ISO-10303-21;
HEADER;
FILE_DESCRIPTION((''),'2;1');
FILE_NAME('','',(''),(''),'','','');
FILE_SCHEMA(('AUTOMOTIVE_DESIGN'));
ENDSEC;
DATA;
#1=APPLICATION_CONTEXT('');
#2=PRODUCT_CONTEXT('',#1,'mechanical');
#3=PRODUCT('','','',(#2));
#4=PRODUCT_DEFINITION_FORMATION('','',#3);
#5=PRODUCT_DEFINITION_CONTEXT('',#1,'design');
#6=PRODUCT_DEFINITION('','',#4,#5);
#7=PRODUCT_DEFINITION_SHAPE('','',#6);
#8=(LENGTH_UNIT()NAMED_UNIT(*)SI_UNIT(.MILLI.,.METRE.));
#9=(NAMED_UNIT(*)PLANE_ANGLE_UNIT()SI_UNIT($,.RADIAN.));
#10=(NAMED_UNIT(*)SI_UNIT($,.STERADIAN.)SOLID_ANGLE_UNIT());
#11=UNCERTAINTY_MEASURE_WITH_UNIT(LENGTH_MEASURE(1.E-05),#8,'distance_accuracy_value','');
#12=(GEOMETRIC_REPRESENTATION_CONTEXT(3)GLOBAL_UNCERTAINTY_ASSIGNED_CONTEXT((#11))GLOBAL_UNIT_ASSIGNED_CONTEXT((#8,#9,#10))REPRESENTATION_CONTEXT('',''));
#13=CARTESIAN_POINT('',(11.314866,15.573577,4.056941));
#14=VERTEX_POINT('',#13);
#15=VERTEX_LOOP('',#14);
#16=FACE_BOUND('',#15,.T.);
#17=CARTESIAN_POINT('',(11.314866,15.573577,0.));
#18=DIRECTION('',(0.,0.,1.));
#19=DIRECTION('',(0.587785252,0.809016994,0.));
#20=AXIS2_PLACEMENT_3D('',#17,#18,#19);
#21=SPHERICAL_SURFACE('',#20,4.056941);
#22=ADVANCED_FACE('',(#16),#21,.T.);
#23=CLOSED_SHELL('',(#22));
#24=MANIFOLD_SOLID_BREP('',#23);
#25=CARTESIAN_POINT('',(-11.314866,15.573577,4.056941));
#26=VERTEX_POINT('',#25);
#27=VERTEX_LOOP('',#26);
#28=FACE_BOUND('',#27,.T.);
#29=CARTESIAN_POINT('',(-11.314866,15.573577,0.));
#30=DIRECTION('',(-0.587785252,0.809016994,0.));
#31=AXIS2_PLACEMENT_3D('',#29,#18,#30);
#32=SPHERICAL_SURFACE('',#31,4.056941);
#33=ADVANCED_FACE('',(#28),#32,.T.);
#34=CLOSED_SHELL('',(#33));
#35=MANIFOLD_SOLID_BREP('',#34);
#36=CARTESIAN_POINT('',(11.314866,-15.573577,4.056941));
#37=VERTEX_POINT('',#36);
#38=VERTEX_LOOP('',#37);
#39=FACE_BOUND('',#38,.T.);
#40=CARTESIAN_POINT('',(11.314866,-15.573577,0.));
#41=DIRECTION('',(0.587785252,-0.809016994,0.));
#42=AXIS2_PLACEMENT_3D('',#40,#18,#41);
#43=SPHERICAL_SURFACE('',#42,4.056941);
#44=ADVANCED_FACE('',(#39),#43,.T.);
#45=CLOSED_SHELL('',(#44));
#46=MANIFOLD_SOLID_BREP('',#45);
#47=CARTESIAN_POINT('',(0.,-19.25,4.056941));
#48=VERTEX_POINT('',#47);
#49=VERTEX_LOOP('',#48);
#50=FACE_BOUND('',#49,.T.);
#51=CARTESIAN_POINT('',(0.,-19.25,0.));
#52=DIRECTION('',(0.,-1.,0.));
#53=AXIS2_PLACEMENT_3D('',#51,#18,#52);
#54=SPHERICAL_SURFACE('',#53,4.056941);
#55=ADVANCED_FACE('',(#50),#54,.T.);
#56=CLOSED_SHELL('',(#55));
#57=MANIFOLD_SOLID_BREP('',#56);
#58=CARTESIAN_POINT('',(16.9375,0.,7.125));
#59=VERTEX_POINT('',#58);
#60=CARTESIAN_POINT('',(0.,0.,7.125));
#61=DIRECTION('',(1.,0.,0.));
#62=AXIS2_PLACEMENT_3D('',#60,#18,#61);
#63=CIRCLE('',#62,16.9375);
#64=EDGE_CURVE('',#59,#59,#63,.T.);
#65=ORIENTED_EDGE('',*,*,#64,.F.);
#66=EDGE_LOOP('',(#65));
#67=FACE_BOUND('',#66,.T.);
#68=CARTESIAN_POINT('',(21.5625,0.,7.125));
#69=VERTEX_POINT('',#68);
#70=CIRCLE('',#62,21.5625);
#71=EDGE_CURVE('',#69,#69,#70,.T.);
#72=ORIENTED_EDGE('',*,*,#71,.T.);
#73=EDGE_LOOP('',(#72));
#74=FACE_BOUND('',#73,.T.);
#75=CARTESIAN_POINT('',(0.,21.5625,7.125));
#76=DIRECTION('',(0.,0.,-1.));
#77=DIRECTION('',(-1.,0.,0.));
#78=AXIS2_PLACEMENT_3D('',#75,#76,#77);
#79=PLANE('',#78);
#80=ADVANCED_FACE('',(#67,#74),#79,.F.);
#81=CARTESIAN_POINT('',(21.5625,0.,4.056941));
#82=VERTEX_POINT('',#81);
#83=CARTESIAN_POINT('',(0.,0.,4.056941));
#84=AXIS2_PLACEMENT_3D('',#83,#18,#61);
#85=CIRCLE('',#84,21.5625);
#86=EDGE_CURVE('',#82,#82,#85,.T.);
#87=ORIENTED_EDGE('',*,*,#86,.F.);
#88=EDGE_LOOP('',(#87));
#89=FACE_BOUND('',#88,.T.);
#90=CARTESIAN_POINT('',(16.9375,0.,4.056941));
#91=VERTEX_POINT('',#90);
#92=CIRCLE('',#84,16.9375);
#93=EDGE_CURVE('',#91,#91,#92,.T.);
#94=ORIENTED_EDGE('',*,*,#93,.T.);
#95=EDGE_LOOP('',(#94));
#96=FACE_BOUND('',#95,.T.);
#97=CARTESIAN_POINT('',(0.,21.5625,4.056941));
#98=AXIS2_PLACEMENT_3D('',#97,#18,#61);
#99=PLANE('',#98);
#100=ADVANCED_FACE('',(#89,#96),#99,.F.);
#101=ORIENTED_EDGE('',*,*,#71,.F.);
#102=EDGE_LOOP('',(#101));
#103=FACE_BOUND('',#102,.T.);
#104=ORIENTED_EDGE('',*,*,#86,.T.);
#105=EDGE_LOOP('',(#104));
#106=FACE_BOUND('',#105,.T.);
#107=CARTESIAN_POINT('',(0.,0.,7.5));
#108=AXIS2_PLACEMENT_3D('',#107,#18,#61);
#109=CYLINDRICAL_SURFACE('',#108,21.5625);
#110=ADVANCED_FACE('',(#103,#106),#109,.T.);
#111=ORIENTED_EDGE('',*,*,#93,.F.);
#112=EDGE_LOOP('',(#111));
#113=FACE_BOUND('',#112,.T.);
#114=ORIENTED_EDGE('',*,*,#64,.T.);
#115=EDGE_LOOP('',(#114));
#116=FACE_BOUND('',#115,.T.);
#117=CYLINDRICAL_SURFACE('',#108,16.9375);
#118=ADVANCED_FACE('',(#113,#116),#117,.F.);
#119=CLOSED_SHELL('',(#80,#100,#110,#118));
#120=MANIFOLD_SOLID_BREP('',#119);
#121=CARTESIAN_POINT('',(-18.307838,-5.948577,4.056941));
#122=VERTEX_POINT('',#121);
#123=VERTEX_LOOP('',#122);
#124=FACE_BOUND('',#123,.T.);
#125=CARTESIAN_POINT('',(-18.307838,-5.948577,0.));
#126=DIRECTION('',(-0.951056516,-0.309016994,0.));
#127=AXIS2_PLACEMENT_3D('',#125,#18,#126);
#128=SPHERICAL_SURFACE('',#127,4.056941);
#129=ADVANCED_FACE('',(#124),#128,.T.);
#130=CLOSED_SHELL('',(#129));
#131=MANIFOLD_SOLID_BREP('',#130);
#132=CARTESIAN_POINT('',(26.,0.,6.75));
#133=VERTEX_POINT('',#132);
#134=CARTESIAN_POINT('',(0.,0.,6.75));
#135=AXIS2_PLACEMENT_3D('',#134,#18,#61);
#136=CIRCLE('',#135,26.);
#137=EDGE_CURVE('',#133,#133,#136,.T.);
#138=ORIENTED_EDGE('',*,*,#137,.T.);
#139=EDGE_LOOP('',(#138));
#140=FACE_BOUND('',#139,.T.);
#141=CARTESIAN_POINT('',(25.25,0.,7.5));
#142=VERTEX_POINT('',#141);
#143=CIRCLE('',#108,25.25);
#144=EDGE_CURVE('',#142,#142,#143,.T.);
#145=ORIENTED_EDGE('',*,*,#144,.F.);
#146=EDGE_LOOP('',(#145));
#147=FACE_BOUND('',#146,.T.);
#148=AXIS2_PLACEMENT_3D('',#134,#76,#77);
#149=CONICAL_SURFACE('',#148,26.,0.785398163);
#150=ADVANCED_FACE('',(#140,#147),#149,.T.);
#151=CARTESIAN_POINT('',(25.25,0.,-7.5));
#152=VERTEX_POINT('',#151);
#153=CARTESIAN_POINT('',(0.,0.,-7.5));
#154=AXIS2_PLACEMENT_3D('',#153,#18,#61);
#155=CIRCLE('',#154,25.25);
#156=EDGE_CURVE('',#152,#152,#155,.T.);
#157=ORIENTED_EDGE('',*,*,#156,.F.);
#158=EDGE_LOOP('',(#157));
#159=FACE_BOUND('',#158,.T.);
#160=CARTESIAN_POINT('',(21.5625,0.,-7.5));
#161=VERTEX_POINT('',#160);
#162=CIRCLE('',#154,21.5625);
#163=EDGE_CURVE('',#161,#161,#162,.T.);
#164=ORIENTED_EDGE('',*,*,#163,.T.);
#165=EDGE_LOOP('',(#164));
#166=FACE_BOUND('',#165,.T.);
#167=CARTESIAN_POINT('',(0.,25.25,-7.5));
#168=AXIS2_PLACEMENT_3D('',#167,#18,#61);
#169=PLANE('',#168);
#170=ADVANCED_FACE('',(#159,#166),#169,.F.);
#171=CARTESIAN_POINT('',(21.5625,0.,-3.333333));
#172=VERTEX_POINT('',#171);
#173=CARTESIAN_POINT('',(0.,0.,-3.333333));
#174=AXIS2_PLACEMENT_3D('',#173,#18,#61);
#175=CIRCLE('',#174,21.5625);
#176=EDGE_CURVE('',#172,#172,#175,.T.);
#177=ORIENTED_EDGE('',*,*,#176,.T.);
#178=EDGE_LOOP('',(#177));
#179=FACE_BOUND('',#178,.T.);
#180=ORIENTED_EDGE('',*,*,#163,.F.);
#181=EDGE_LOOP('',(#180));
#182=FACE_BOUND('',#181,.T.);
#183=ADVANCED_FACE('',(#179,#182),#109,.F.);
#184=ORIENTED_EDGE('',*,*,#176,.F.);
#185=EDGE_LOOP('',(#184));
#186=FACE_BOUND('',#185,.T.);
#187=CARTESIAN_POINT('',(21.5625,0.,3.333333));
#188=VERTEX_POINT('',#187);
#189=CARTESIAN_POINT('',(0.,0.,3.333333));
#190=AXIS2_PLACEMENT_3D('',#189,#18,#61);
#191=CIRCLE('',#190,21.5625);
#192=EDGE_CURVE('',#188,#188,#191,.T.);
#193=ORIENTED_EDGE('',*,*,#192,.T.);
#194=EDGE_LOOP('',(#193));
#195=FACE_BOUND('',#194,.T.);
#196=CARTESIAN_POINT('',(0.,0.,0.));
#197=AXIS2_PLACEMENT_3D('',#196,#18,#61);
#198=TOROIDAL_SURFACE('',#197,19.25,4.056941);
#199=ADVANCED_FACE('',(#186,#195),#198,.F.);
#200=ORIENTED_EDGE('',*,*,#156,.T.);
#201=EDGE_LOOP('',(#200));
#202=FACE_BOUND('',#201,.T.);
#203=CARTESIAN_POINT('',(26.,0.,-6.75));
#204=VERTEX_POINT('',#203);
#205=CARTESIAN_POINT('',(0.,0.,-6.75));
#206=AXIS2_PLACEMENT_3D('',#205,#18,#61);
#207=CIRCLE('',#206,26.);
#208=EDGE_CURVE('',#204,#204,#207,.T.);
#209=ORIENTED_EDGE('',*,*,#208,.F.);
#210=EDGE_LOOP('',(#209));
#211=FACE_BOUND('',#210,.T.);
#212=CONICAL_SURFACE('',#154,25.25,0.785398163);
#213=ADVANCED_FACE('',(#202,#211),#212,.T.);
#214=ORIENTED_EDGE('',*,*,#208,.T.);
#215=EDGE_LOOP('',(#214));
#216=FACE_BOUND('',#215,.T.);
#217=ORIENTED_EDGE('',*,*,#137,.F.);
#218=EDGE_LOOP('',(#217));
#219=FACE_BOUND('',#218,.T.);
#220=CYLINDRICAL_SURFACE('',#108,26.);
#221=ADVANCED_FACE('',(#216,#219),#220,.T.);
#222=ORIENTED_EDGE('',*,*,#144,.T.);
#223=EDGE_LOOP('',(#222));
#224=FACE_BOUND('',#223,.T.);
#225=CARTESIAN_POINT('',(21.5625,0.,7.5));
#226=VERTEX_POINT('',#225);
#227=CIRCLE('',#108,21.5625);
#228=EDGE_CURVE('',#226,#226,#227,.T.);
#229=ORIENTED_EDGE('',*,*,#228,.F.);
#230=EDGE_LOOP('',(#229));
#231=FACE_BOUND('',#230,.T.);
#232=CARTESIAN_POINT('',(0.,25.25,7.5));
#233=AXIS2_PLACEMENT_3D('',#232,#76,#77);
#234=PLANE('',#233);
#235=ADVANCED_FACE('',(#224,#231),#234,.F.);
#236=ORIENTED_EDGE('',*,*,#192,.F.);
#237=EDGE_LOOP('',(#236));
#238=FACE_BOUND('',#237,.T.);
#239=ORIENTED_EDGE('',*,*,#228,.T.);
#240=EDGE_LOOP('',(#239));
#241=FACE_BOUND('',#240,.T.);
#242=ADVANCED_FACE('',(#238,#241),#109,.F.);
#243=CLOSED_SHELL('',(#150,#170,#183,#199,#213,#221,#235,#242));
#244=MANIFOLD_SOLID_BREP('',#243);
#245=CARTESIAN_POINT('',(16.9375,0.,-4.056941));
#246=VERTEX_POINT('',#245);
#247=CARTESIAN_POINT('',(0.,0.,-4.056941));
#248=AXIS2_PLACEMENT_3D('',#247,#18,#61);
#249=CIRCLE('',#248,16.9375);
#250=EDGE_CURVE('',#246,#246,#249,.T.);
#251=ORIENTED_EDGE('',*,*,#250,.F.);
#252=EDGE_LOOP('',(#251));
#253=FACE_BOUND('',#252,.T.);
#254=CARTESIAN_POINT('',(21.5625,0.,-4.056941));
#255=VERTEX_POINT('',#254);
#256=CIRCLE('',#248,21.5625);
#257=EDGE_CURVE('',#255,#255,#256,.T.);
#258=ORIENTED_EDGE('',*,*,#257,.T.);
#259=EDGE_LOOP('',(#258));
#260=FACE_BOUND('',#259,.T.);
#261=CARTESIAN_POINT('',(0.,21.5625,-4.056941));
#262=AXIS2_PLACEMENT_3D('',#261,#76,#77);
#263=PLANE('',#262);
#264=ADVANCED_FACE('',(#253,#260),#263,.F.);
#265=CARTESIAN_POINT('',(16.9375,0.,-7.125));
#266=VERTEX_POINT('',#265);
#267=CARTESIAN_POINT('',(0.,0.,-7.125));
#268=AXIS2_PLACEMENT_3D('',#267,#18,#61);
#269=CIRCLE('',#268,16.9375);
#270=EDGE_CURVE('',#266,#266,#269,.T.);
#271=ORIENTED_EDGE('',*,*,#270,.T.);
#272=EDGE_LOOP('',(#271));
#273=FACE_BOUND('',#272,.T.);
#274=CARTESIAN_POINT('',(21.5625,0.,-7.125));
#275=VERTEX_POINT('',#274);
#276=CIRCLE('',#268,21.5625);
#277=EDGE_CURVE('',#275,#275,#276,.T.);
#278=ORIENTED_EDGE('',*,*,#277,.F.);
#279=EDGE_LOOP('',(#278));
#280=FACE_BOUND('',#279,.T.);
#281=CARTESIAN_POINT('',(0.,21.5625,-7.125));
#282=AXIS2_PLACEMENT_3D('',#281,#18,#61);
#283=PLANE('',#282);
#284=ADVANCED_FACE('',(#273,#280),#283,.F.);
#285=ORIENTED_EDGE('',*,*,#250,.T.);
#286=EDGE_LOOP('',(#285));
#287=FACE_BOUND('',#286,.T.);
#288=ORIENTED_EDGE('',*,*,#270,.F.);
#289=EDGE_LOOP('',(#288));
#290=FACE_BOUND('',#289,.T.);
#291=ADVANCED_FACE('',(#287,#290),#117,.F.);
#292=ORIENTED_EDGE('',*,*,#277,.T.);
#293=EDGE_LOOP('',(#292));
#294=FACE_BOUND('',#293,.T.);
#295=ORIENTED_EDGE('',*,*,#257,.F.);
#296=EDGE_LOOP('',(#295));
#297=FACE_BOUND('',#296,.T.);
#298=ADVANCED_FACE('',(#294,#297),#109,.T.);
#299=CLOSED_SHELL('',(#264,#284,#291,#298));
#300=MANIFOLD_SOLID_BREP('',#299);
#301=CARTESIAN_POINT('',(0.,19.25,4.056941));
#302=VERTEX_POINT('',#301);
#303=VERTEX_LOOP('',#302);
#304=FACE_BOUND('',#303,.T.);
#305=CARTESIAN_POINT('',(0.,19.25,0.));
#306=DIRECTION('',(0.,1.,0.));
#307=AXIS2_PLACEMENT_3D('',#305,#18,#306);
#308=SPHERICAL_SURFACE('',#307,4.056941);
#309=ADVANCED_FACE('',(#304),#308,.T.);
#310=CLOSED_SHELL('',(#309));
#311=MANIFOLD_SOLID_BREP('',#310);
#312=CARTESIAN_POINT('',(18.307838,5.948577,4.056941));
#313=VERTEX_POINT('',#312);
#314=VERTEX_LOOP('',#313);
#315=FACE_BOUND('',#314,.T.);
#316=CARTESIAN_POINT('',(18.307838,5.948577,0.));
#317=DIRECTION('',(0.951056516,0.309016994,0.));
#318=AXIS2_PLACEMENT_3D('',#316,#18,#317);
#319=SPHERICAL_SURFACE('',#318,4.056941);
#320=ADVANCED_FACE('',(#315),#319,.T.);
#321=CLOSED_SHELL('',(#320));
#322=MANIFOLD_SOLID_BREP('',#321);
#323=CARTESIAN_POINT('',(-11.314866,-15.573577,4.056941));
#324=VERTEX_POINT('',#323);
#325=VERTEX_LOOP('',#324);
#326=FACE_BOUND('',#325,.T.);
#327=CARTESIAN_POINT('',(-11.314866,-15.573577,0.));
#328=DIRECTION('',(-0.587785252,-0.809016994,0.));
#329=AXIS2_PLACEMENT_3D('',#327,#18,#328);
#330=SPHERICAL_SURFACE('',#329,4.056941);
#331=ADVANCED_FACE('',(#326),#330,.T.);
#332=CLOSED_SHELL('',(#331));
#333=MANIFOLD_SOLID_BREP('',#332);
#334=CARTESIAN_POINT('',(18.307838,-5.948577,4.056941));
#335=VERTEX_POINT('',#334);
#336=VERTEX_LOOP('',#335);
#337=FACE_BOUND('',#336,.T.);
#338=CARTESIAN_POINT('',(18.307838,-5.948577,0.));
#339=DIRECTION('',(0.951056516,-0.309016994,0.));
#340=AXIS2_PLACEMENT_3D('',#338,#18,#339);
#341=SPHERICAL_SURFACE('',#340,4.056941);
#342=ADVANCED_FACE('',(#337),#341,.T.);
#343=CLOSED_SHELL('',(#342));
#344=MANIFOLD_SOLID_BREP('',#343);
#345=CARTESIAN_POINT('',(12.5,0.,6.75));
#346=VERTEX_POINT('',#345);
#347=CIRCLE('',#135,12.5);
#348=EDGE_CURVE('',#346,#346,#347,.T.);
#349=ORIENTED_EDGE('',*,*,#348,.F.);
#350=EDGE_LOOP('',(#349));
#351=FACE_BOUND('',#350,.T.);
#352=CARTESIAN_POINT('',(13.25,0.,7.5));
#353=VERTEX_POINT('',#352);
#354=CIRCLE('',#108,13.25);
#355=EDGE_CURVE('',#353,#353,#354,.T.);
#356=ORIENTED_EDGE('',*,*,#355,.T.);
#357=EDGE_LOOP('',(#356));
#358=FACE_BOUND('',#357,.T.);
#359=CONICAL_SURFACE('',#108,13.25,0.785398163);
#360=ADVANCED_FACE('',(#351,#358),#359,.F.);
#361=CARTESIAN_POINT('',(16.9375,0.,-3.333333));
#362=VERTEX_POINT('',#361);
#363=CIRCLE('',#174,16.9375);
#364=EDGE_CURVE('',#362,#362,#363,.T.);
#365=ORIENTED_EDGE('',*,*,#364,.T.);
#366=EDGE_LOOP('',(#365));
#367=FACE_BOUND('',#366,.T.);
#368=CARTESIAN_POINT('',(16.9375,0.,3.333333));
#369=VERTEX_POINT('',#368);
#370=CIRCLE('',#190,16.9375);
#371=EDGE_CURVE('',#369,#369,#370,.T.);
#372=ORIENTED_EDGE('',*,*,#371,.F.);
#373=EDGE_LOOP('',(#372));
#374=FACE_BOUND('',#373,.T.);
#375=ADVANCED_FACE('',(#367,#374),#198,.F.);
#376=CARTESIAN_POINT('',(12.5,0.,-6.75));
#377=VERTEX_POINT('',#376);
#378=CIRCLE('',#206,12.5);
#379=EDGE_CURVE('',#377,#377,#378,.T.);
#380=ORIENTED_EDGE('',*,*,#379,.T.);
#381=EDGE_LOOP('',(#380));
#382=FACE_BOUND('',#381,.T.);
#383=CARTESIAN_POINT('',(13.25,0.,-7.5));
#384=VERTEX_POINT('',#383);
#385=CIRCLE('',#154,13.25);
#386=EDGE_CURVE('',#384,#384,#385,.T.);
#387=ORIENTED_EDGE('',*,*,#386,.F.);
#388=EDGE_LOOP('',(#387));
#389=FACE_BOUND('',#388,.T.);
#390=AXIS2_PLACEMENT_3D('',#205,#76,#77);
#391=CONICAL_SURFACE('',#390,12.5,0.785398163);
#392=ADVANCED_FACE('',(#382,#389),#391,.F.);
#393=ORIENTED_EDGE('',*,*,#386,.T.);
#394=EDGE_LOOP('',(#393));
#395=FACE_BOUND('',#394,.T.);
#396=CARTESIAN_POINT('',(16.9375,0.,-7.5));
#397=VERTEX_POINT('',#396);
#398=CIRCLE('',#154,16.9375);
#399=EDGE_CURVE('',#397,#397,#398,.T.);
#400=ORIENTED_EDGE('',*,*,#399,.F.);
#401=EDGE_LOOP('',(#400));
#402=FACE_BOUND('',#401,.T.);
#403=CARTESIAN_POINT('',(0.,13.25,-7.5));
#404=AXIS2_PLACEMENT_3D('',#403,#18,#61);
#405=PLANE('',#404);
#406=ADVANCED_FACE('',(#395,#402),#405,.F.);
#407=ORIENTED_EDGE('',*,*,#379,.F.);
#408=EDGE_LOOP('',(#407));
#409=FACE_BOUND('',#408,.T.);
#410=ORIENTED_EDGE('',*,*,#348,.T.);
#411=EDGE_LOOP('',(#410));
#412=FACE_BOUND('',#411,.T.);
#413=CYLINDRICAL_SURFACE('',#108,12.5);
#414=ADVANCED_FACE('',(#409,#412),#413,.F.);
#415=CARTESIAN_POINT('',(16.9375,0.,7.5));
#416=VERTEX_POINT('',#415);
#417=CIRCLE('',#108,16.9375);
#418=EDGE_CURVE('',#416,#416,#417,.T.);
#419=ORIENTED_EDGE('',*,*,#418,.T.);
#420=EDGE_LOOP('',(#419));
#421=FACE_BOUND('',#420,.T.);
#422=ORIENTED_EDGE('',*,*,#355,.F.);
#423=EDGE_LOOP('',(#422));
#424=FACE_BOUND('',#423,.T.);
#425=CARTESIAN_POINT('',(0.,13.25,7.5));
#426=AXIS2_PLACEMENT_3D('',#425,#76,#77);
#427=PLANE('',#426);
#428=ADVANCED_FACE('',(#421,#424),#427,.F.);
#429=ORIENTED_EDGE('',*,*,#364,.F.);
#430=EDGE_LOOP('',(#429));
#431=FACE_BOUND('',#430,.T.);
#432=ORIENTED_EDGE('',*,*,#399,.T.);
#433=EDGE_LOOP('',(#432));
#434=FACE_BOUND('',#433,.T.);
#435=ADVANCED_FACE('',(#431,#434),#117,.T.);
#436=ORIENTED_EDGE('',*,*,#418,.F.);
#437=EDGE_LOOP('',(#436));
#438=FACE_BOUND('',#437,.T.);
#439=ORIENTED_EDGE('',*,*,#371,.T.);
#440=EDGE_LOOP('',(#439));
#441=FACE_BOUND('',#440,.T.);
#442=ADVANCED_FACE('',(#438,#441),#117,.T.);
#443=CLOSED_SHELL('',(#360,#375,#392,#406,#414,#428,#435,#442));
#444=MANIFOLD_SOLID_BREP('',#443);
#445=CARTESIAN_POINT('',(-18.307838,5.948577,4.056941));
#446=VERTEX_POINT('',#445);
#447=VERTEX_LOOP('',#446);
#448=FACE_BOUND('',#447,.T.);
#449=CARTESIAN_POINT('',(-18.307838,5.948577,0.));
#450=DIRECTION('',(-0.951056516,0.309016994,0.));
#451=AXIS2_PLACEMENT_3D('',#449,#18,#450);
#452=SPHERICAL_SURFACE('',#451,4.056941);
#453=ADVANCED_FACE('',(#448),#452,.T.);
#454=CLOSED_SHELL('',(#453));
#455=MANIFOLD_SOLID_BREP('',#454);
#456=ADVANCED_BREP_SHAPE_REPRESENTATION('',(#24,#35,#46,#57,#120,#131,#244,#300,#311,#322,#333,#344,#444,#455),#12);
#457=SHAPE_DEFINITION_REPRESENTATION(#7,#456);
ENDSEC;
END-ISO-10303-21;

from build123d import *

# Parameters (mm, degrees)
CIRPATTERN1_COUNT = 10
SKETCH5_W         = 3.068059359
SKETCH5_H         = 4.625


with BuildPart() as part:
    # Sketch3 → Revolve1 (revolve)
    with BuildSketch(Plane(origin=(0, 0, 0), x_dir=(0, 0, -1), z_dir=(1, 0, 0)), mode=Mode.PRIVATE) as revolve1_sk:
        with BuildLine():
            Line((-7.5, 25.25), (-7.5, 21.5625))
            Line((-7.5, 21.5625), (-3.333333333, 21.5625))
            ThreePointArc((-3.333333333, 21.5625), (0, 23.306940641), (3.333333333, 21.5625))
            Line((3.333333333, 21.5625), (7.5, 21.5625))
            Line((7.5, 21.5625), (7.5, 25.25))
            Line((7.5, 25.25), (6.75, 26))
            Line((6.75, 26), (-6.75, 26))
            Line((-6.75, 26), (-7.5, 25.25))
        make_face()
        with BuildLine():
            Line((-7.5, 13.25), (-7.5, 16.9375))
            Line((-7.5, 16.9375), (-3.333333333, 16.9375))
            ThreePointArc((-3.333333333, 16.9375), (0, 15.193059359), (3.333333333, 16.9375))
            Line((3.333333333, 16.9375), (7.5, 16.9375))
            Line((7.5, 16.9375), (7.5, 13.25))
            Line((7.5, 13.25), (6.75, 12.5))
            Line((6.75, 12.5), (-6.75, 12.5))
            Line((-6.75, 12.5), (-7.5, 13.25))
        make_face()
    revolve(revolve1_sk.sketch.rotate(Axis((0, 0, 7.5), (0, 0, -1)), 90), axis=Axis((0, 0, 7.5), (0, 0, -1)))


with BuildPart() as body_2:
    # Sketch4 → Revolve2 (revolve)
    with BuildSketch(Plane(origin=(0, 0, 0), x_dir=(0, 0, -1), z_dir=(1, 0, 0))):
        with BuildLine():
            Line((-4.056940641, 19.25), (4.056940641, 19.25))
            ThreePointArc((4.056940641, 19.25), (0, 23.306940641), (-4.056940641, 19.25))
        make_face()
    revolve(axis=Axis((0, 19.25, 4.056940641), (0, 0, -1)))


with BuildPart() as cirpattern1_1:
    # CirPattern1: pattern copy
    add(body_2.part.rotate(Axis((0, 0, 0), (0, 0, 1)), 1 * 360 / CIRPATTERN1_COUNT))


with BuildPart() as cirpattern1_2:
    # CirPattern1: pattern copy
    add(body_2.part.rotate(Axis((0, 0, 0), (0, 0, 1)), 2 * 360 / CIRPATTERN1_COUNT))


with BuildPart() as cirpattern1_3:
    # CirPattern1: pattern copy
    add(body_2.part.rotate(Axis((0, 0, 0), (0, 0, 1)), 3 * 360 / CIRPATTERN1_COUNT))


with BuildPart() as cirpattern1_4:
    # CirPattern1: pattern copy
    add(body_2.part.rotate(Axis((0, 0, 0), (0, 0, 1)), 4 * 360 / CIRPATTERN1_COUNT))


with BuildPart() as cirpattern1_5:
    # CirPattern1: pattern copy
    add(body_2.part.rotate(Axis((0, 0, 0), (0, 0, 1)), 5 * 360 / CIRPATTERN1_COUNT))


with BuildPart() as cirpattern1_6:
    # CirPattern1: pattern copy
    add(body_2.part.rotate(Axis((0, 0, 0), (0, 0, 1)), 6 * 360 / CIRPATTERN1_COUNT))


with BuildPart() as cirpattern1_7:
    # CirPattern1: pattern copy
    add(body_2.part.rotate(Axis((0, 0, 0), (0, 0, 1)), 7 * 360 / CIRPATTERN1_COUNT))


with BuildPart() as cirpattern1_8:
    # CirPattern1: pattern copy
    add(body_2.part.rotate(Axis((0, 0, 0), (0, 0, 1)), 8 * 360 / CIRPATTERN1_COUNT))


with BuildPart() as cirpattern1_9:
    # CirPattern1: pattern copy
    add(body_2.part.rotate(Axis((0, 0, 0), (0, 0, 1)), 9 * 360 / CIRPATTERN1_COUNT))


with BuildPart() as body_12:
    # Sketch5 → Revolve3 (revolve)
    with BuildSketch(Plane(origin=(0, 0, 0), x_dir=(0, 0, -1), z_dir=(1, 0, 0)), mode=Mode.PRIVATE) as revolve3_sk:
        with Locations((-5.590970321, 19.25)):
            Rectangle(SKETCH5_W, SKETCH5_H)
        with Locations((5.590970321, 19.25)):
            Rectangle(SKETCH5_W, SKETCH5_H)
    revolve(revolve3_sk.sketch.rotate(Axis((0, 0, 7.5), (0, 0, -1)), 90), axis=Axis((0, 0, 7.5), (0, 0, -1)))


solid = Compound([part.part, body_2.part, cirpattern1_1.part, cirpattern1_2.part, cirpattern1_3.part, cirpattern1_4.part, cirpattern1_5.part, cirpattern1_6.part, cirpattern1_7.part, cirpattern1_8.part, cirpattern1_9.part, body_12.part])
